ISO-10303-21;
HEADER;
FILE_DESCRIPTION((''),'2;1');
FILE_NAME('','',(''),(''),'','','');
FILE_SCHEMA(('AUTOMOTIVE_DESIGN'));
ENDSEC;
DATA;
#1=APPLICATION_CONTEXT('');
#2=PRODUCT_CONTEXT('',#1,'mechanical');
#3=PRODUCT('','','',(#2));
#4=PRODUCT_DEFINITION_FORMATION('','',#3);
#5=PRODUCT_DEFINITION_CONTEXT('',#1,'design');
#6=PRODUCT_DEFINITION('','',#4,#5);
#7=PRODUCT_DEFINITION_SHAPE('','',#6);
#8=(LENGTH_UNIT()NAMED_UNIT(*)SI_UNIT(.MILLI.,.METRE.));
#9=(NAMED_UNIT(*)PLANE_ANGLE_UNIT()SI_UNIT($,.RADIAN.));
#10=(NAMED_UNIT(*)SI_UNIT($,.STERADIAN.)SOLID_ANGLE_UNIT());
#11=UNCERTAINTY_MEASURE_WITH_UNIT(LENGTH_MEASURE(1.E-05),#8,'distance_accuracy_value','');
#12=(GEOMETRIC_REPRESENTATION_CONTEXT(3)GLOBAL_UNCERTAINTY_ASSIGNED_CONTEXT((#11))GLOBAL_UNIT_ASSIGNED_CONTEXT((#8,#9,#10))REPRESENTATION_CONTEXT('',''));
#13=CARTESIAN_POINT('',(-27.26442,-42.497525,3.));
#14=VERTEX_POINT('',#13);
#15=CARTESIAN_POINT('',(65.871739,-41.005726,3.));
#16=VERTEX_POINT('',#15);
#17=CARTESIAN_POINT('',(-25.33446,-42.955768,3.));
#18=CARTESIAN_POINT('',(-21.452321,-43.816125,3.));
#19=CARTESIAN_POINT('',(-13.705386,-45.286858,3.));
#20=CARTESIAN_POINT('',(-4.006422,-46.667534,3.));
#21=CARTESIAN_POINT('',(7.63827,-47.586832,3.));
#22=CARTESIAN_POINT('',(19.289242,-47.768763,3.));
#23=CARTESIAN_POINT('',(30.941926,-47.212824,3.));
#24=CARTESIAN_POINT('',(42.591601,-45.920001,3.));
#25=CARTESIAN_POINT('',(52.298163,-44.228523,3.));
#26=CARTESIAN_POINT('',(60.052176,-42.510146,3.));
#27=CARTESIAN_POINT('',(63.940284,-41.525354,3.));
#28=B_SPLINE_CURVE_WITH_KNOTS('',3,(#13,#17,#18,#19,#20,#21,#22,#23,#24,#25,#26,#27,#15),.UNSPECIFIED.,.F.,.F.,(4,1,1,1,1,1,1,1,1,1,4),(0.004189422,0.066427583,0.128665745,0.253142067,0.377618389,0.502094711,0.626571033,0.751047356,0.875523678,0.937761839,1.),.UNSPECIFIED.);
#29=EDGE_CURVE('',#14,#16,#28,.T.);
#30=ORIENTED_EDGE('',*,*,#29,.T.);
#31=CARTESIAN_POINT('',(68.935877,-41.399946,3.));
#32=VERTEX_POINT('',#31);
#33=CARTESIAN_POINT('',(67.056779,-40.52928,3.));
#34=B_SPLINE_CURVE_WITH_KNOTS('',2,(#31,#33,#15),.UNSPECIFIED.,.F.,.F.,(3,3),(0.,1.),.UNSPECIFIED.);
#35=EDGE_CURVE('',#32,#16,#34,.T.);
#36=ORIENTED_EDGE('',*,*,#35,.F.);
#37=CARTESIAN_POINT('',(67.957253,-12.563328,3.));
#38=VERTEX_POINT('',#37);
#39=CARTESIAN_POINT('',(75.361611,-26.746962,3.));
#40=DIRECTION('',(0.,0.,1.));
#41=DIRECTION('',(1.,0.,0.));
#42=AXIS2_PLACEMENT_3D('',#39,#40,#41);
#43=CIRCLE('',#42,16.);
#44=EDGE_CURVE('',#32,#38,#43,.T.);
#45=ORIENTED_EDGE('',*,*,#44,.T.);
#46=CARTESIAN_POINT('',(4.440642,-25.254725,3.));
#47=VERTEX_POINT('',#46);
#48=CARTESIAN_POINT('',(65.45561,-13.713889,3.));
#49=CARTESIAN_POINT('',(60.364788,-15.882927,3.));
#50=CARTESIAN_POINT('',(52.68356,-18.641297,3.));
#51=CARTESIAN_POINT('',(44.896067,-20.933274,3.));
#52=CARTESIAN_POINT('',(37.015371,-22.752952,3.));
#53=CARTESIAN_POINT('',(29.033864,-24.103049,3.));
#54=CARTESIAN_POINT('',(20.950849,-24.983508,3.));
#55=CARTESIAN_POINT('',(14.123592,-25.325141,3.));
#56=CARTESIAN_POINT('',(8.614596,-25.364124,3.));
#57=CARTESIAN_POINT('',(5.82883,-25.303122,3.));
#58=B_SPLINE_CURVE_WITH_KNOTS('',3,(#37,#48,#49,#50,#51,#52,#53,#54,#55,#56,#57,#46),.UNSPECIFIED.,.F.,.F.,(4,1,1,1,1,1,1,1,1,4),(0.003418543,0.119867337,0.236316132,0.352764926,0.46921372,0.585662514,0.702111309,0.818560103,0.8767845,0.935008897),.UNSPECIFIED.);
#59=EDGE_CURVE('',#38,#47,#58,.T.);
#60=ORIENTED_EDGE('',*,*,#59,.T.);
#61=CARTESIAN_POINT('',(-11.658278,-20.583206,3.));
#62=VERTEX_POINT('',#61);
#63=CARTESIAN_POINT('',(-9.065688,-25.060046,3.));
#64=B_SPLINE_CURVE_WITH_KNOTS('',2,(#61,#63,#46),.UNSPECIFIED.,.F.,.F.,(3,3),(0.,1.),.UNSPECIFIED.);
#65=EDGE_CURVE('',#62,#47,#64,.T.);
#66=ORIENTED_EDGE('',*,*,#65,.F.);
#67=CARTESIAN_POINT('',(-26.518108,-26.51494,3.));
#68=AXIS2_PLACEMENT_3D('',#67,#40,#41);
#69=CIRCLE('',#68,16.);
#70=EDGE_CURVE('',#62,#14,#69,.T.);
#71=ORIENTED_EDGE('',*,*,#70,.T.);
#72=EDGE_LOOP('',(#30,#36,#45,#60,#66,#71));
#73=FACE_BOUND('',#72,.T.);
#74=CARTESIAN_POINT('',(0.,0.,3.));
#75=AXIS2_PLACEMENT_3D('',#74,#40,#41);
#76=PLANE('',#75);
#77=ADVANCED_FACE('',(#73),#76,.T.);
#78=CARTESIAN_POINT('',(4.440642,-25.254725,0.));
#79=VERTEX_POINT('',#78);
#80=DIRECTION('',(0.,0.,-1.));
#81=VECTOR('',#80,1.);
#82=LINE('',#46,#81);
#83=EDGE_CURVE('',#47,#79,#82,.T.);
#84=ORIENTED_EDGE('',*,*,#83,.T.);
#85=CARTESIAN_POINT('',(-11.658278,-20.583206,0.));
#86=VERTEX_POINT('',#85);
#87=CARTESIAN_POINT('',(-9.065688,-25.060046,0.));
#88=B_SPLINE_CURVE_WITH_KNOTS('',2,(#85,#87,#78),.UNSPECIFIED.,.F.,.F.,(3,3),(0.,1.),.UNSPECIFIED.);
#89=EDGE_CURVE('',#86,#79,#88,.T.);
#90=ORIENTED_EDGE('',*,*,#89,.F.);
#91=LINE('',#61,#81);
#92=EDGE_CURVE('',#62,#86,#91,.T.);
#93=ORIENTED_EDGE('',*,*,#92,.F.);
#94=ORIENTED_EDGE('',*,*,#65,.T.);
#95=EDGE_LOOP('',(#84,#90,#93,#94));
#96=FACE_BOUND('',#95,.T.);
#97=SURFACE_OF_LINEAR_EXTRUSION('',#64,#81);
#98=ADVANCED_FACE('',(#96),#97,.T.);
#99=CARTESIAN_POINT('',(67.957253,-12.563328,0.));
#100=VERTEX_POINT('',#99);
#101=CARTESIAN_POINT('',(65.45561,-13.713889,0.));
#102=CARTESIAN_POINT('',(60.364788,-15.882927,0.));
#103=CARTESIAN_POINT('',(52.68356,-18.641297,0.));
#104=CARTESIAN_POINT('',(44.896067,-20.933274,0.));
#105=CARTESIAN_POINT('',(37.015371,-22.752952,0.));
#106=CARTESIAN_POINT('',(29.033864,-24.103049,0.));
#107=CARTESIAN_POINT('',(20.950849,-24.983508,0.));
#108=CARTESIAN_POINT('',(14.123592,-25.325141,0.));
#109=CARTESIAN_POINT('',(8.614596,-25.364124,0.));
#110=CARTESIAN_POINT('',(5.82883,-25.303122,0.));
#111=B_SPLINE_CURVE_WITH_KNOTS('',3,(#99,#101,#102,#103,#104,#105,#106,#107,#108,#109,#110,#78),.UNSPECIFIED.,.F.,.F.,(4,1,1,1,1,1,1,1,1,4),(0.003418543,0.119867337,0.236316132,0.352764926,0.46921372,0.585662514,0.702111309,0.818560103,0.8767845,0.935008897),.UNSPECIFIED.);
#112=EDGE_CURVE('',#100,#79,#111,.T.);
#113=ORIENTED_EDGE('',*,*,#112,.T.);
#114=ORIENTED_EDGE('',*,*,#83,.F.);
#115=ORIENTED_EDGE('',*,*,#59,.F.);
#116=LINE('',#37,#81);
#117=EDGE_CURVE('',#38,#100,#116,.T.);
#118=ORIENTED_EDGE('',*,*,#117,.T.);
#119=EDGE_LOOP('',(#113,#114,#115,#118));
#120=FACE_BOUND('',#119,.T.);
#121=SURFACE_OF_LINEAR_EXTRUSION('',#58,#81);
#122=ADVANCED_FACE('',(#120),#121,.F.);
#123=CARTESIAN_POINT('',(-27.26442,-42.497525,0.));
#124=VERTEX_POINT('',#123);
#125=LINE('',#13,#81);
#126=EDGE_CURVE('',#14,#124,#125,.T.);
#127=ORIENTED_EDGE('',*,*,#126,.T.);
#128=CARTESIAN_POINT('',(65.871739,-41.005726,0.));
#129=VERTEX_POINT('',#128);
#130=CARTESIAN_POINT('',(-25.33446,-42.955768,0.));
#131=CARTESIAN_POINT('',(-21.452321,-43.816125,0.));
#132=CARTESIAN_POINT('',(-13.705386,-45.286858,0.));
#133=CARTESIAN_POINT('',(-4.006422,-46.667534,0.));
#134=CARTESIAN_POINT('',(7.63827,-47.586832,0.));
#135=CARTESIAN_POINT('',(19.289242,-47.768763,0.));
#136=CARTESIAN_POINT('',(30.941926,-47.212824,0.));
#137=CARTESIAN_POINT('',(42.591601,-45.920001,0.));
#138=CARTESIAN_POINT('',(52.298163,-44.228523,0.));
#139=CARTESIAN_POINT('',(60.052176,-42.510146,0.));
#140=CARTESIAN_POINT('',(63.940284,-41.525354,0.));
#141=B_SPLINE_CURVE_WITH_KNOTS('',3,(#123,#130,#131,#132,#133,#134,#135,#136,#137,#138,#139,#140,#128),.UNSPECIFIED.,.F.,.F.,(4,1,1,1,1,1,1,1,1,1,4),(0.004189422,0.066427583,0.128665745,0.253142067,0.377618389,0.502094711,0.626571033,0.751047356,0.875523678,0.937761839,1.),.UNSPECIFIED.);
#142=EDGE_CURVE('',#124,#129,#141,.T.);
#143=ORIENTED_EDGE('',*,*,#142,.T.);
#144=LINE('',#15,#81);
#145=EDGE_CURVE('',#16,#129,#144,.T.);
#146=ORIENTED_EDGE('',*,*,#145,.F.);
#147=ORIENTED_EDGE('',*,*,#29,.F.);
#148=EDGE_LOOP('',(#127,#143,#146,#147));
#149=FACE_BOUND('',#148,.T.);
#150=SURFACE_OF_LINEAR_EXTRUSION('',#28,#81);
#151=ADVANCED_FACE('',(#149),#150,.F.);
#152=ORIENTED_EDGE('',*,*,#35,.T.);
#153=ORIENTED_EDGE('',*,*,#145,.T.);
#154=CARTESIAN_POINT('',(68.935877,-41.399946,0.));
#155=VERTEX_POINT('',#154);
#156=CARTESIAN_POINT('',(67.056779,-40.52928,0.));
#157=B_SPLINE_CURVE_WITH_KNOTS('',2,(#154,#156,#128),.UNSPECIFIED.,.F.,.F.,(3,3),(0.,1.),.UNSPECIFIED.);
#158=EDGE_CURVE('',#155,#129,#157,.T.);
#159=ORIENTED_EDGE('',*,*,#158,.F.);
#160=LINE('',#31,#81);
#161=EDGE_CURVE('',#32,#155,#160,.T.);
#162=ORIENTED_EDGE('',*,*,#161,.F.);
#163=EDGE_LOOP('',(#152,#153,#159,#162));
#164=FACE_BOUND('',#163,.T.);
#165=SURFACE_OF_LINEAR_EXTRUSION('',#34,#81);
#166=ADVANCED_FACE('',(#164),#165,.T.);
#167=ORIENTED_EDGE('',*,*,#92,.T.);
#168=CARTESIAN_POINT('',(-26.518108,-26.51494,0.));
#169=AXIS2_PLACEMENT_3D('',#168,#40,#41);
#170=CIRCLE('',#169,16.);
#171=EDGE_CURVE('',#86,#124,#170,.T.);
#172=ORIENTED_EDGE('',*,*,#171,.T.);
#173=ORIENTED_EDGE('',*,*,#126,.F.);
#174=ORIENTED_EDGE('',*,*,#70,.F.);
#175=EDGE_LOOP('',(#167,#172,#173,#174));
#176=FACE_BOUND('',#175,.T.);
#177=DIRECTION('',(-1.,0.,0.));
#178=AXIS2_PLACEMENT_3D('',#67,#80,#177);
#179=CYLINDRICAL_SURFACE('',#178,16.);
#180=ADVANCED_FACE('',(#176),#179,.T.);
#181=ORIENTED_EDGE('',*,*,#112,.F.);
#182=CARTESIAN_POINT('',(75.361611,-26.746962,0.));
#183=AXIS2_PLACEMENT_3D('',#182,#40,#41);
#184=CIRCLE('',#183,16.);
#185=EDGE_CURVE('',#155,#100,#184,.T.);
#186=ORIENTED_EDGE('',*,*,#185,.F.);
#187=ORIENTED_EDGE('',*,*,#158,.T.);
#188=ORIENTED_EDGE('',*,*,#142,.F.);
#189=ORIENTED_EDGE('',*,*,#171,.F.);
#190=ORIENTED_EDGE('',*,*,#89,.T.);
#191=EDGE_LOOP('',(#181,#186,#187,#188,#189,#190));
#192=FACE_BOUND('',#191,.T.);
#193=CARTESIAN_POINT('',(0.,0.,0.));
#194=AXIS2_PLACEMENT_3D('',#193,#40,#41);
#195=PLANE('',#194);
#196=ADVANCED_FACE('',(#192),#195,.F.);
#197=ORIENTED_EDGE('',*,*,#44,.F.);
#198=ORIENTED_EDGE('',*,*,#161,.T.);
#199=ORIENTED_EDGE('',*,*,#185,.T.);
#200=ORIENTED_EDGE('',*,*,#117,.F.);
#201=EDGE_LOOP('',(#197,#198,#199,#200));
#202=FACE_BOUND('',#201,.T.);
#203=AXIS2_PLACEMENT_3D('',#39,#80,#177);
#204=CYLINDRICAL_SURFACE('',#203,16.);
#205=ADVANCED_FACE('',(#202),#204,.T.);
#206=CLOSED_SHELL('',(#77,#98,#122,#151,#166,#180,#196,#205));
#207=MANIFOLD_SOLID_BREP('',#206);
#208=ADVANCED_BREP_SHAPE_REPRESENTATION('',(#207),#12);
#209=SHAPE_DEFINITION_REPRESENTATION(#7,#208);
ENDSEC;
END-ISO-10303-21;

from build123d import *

# Parameters (mm, degrees)
SKETCH1_R           = 5
SKETCH1_R_2         = 1.1
SKETCH1_R_3         = 4
BOSS_EXTRUDE1_DEPTH = 3


with BuildPart() as part:
    # Sketch1 → Boss-Extrude1 (new body)
    # profile 1 of 19: a face of its own
    with BuildSketch(Plane.XY):
        with BuildLine():
            ThreePointArc((68.935876888, -41.399946265), (91.352405248, -26.204284986), (67.957252813, -12.563327983))
            add(Edge.make_bspline(
                [(67.957252813, -12.563327983), (65.455609859, -13.713888582), (60.364787712, -15.882927404), (52.683559955, -18.641296662), (44.896066709, -20.933273776), (37.015370972, -22.752952432), (29.033864031, -24.103049266), (20.950849492, -24.983508442), (14.12359191, -25.325141054), (8.614596461, -25.364124484), (5.82883012, -25.303122311), (4.440642397, -25.254725163)],
                knots=[0.003418543, 0.003418543, 0.003418543, 0.003418543, 0.119867337, 0.236316132, 0.352764926, 0.46921372, 0.585662514, 0.702111309, 0.818560103, 0.8767845, 0.935008897, 0.935008897, 0.935008897, 0.935008897], degree=3))
            add(Edge.make_bspline(
                [(-11.658277887, -20.5832063), (-9.065688302, -25.060046308), (4.440642397, -25.254725163)],
                knots=[0, 0, 0, 1, 1, 1], degree=2))
            ThreePointArc((-11.658277887, -20.5832063), (-39.551034339, -17.233624375), (-27.264419704, -42.497524754))
            add(Edge.make_bspline(
                [(-27.264419704, -42.497524754), (-25.334460253, -42.955768201), (-21.452320642, -43.816124737), (-13.705385842, -45.286858174), (-4.006421964, -46.667533574), (7.638269658, -47.586831656), (19.289241844, -47.768762722), (30.941925955, -47.212824411), (42.591601286, -45.920000504), (52.298162816, -44.228522597), (60.052175742, -42.510146288), (63.940283625, -41.52535362), (65.871739475, -41.00572578)],
                knots=[0.004189422, 0.004189422, 0.004189422, 0.004189422, 0.066427583, 0.128665745, 0.253142067, 0.377618389, 0.502094711, 0.626571033, 0.751047356, 0.875523678, 0.937761839, 1, 1, 1, 1], degree=3))
            add(Edge.make_bspline(
                [(68.935876888, -41.399946265), (67.056778784, -40.529280178), (65.871739475, -41.00572578)],
                knots=[0, 0, 0, 1, 1, 1], degree=2))
        make_face()
        with Locations((75.361610976, -26.74696222)):
            Circle(SKETCH1_R, mode=Mode.SUBTRACT)
        with Locations((75.361610976, -18.74696222)):
            Circle(SKETCH1_R_2, mode=Mode.SUBTRACT)
        with Locations((81.018465226, -21.090107971)):
            Circle(SKETCH1_R_2, mode=Mode.SUBTRACT)
        with Locations((83.361610976, -26.74696222)):
            Circle(SKETCH1_R_2, mode=Mode.SUBTRACT)
        with Locations((-26.518107506, -26.514939916)):
            Circle(SKETCH1_R_3, mode=Mode.SUBTRACT)
        with Locations((81.018465226, -32.40381647)):
            Circle(SKETCH1_R_2, mode=Mode.SUBTRACT)
        with Locations((-26.516504294, -18.516504294)):
            Circle(SKETCH1_R_2, mode=Mode.SUBTRACT)
        with Locations((-20.859650045, -20.859650045)):
            Circle(SKETCH1_R_2, mode=Mode.SUBTRACT)
        with Locations((-18.516504294, -26.516504294)):
            Circle(SKETCH1_R_2, mode=Mode.SUBTRACT)
        with Locations((-20.859650045, -32.173358544)):
            Circle(SKETCH1_R_2, mode=Mode.SUBTRACT)
        with Locations((-26.516504294, -34.516504294)):
            Circle(SKETCH1_R_2, mode=Mode.SUBTRACT)
        with Locations((-32.173358544, -32.173358544)):
            Circle(SKETCH1_R_2, mode=Mode.SUBTRACT)
        with Locations((-34.516504294, -26.516504294)):
            Circle(SKETCH1_R_2, mode=Mode.SUBTRACT)
        with Locations((-32.173358544, -20.859650045)):
            Circle(SKETCH1_R_2, mode=Mode.SUBTRACT)
        with Locations((75.361610976, -34.74696222)):
            Circle(SKETCH1_R_2, mode=Mode.SUBTRACT)
        with Locations((69.704756727, -32.40381647)):
            Circle(SKETCH1_R_2, mode=Mode.SUBTRACT)
        with Locations((67.361610976, -26.74696222)):
            Circle(SKETCH1_R_2, mode=Mode.SUBTRACT)
        with Locations((69.704756727, -21.090107971)):
            Circle(SKETCH1_R_2, mode=Mode.SUBTRACT)
    # profile 2 of 19: a face of its own
    with BuildSketch(Plane.XY):
        with Locations((-20.859650045, -20.859650045)):
            Circle(SKETCH1_R_2)
    # profile 3 of 19: a face of its own
    with BuildSketch(Plane.XY):
        with Locations((-26.516504294, -18.516504294)):
            Circle(SKETCH1_R_2)
    # profile 4 of 19: a face of its own
    with BuildSketch(Plane.XY):
        with Locations((-32.173358544, -20.859650045)):
            Circle(SKETCH1_R_2)
    # profile 5 of 19: a face of its own
    with BuildSketch(Plane.XY):
        with Locations((-18.516504294, -26.516504294)):
            Circle(SKETCH1_R_2)
    # profile 6 of 19: a face of its own
    with BuildSketch(Plane.XY):
        with Locations((-20.859650045, -32.173358544)):
            Circle(SKETCH1_R_2)
    # profile 7 of 19: a face of its own
    with BuildSketch(Plane.XY):
        with Locations((-26.516504294, -34.516504294)):
            Circle(SKETCH1_R_2)
    # profile 8 of 19: a face of its own
    with BuildSketch(Plane.XY):
        with Locations((-32.173358544, -32.173358544)):
            Circle(SKETCH1_R_2)
    # profile 9 of 19: a face of its own
    with BuildSketch(Plane.XY):
        with Locations((-34.516504294, -26.516504294)):
            Circle(SKETCH1_R_2)
    # profile 10 of 19: a face of its own
    with BuildSketch(Plane.XY):
        with Locations((-26.518107506, -26.514939916)):
            Circle(SKETCH1_R_3)
    # profile 11 of 19: a face of its own
    with BuildSketch(Plane.XY):
        with Locations((83.361610976, -26.74696222)):
            Circle(SKETCH1_R_2)
    # profile 12 of 19: a face of its own
    with BuildSketch(Plane.XY):
        with Locations((81.018465226, -21.090107971)):
            Circle(SKETCH1_R_2)
    # profile 13 of 19: a face of its own
    with BuildSketch(Plane.XY):
        with Locations((75.361610976, -18.74696222)):
            Circle(SKETCH1_R_2)
    # profile 14 of 19: a face of its own
    with BuildSketch(Plane.XY):
        with Locations((69.704756727, -21.090107971)):
            Circle(SKETCH1_R_2)
    # profile 15 of 19: a face of its own
    with BuildSketch(Plane.XY):
        with Locations((67.361610976, -26.74696222)):
            Circle(SKETCH1_R_2)
    # profile 16 of 19: a face of its own
    with BuildSketch(Plane.XY):
        with Locations((69.704756727, -32.40381647)):
            Circle(SKETCH1_R_2)
    # profile 17 of 19: a face of its own
    with BuildSketch(Plane.XY):
        with Locations((75.361610976, -34.74696222)):
            Circle(SKETCH1_R_2)
    # profile 18 of 19: a face of its own
    with BuildSketch(Plane.XY):
        with Locations((81.018465226, -32.40381647)):
            Circle(SKETCH1_R_2)
    # profile 19 of 19: a face of its own
    with BuildSketch(Plane.XY):
        with Locations((75.361610976, -26.74696222)):
            Circle(SKETCH1_R)
    extrude(amount=BOSS_EXTRUDE1_DEPTH)


solid = part.part
